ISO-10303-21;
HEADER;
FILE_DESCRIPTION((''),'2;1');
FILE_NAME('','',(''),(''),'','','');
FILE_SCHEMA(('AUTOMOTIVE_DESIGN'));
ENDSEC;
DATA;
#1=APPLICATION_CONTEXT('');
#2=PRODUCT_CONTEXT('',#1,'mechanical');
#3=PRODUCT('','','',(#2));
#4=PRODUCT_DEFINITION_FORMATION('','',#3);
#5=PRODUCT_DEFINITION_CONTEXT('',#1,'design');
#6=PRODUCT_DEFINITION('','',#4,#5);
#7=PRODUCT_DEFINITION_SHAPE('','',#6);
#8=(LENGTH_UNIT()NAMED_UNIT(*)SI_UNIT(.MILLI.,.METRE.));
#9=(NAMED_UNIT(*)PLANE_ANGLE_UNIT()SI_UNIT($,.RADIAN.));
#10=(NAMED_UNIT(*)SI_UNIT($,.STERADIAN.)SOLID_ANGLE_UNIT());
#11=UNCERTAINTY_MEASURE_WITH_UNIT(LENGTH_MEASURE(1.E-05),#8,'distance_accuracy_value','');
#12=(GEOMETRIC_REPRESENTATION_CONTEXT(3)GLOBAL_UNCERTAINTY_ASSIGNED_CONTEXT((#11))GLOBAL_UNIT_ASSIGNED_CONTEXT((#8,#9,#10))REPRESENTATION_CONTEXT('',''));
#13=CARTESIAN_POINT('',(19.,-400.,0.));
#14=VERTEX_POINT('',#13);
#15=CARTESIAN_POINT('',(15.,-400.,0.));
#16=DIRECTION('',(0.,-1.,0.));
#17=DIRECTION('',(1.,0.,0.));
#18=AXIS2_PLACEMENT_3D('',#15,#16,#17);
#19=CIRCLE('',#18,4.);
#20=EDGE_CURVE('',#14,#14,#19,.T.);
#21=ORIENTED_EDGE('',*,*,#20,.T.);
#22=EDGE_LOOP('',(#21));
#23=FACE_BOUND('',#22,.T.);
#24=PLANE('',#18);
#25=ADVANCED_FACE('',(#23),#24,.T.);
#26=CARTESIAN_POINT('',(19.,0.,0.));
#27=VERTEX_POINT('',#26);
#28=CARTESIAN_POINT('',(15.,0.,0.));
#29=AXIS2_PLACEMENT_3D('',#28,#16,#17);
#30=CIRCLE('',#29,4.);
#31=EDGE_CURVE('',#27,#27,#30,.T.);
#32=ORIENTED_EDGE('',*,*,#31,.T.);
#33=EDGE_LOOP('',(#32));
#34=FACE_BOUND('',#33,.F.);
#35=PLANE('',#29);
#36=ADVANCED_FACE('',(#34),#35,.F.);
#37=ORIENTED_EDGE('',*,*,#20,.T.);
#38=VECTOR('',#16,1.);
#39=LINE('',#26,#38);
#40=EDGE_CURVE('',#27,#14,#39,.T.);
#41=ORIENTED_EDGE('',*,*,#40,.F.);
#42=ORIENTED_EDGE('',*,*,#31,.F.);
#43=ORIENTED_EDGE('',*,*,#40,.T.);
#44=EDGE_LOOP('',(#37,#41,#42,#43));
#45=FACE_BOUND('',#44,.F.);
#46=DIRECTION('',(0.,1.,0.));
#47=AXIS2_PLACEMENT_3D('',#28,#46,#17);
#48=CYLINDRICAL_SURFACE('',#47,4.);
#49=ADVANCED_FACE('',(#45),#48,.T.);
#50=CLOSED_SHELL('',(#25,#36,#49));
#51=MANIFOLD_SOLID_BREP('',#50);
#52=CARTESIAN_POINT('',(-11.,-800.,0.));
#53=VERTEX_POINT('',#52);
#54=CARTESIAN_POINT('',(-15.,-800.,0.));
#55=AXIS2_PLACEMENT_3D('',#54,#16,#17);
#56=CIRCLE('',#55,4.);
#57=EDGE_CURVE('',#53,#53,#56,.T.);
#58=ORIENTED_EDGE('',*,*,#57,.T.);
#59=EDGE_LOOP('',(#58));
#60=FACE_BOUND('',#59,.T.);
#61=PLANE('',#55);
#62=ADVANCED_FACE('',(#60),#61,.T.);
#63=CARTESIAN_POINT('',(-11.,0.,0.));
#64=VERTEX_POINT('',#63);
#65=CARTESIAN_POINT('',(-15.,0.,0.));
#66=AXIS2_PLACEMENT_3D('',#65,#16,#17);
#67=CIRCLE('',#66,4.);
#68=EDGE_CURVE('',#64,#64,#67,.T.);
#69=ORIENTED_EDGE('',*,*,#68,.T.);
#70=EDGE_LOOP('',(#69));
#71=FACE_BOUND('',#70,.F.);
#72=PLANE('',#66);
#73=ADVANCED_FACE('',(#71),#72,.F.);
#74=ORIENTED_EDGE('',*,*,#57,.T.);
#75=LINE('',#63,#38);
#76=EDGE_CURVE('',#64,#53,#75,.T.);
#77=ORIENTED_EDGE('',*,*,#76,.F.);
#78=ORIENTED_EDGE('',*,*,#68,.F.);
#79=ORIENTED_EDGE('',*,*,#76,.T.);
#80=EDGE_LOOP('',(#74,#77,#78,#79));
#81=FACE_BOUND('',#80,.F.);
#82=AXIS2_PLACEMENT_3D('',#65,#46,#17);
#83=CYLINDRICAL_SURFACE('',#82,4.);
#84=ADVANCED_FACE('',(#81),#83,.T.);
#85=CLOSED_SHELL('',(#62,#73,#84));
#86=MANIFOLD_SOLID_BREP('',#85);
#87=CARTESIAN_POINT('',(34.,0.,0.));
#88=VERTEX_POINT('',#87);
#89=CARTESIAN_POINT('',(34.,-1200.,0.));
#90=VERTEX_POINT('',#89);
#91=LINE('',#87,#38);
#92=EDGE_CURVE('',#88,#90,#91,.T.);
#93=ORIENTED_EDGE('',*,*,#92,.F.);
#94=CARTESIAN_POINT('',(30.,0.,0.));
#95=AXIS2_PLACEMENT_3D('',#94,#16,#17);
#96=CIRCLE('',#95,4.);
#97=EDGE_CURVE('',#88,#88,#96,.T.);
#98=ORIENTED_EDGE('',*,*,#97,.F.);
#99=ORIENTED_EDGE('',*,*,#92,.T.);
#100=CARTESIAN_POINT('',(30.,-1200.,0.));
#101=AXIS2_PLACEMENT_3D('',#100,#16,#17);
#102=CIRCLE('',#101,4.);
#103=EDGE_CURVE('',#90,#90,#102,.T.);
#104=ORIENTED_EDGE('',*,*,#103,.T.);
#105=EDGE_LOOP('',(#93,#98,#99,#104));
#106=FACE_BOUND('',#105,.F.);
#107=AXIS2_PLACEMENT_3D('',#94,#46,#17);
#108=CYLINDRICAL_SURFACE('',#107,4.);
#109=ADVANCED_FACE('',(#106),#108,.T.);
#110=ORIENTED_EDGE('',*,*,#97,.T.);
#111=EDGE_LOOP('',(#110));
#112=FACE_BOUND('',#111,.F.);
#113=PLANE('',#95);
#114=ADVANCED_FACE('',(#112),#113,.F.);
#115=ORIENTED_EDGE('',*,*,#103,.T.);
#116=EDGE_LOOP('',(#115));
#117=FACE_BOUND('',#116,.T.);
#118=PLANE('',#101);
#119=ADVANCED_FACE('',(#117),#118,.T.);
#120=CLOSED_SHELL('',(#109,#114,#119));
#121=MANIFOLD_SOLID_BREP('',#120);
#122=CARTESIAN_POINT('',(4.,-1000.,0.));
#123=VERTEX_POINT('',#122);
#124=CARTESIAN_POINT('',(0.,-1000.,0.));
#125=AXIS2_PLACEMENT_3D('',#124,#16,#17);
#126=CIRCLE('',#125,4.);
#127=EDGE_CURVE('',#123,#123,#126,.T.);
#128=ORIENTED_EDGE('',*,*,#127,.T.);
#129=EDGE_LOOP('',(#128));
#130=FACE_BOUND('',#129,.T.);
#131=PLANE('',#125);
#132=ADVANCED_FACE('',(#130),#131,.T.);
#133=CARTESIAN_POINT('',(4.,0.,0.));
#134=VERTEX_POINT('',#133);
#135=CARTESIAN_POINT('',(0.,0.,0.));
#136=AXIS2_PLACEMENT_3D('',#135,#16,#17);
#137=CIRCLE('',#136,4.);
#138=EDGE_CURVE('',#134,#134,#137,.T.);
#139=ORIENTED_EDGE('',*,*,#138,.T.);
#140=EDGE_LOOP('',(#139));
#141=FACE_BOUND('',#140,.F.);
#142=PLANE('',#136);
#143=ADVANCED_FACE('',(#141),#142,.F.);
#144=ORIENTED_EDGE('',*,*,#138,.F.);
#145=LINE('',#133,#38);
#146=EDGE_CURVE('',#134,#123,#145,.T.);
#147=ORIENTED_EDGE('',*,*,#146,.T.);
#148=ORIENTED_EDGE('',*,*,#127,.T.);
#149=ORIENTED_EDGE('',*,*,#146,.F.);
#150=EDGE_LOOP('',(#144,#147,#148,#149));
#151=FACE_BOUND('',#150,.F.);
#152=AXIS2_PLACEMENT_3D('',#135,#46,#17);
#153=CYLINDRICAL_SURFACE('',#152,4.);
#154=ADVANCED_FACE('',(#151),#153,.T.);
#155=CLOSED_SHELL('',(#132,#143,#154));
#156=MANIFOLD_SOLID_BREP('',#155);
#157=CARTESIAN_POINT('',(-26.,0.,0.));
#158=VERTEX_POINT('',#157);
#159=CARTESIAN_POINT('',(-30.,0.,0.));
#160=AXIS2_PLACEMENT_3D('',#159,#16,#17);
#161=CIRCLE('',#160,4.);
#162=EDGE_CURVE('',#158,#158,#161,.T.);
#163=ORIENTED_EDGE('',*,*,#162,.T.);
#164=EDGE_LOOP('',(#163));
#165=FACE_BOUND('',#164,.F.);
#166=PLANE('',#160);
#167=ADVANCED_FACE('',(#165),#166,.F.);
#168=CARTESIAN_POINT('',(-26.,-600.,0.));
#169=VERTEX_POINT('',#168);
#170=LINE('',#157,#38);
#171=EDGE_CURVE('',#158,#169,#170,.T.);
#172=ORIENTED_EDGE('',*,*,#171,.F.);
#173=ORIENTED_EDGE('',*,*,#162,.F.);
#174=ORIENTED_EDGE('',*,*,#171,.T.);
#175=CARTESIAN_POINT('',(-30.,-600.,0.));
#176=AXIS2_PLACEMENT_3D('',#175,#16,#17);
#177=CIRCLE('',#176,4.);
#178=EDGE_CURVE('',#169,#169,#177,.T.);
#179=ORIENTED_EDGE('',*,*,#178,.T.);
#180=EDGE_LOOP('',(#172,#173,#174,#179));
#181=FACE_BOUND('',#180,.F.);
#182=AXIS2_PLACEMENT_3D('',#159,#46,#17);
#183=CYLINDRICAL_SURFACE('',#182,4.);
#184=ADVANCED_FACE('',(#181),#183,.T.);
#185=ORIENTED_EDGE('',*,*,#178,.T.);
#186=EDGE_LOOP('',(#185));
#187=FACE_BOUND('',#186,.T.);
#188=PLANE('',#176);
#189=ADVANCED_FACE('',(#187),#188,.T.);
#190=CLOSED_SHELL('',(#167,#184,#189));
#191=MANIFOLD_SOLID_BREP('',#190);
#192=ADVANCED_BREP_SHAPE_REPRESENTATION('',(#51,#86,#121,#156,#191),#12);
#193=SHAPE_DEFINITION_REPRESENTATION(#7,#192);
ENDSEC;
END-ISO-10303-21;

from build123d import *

# Parameters (mm, degrees)
F0_R     = 4
F1_DEPTH = 1000
F2_DEPTH = 800
F3_DEPTH = 600
F4_DEPTH = 400
F5_DEPTH = 1200


with BuildPart() as f1:
    # F0 (on Front) → F1 (new body)
    with BuildSketch(Plane.XZ):
        Circle(F0_R)
    extrude(amount=F1_DEPTH)


with BuildPart() as f2:
    # F0 (on Front) → F2 (new body)
    with BuildSketch(Plane.XZ):
        with Locations((-15, 0)):
            Circle(F0_R)
    extrude(amount=F2_DEPTH)


with BuildPart() as f3:
    # F0 (on Front) → F3 (new body)
    with BuildSketch(Plane.XZ):
        with Locations((-30, 0)):
            Circle(F0_R)
    extrude(amount=F3_DEPTH)


with BuildPart() as f4:
    # F0 (on Front) → F4 (new body)
    with BuildSketch(Plane.XZ):
        with Locations((15, 0)):
            Circle(F0_R)
    extrude(amount=F4_DEPTH)


with BuildPart() as f5:
    # F0 (on Front) → F5 (new body)
    with BuildSketch(Plane.XZ):
        with Locations((30, 0)):
            Circle(F0_R)
    extrude(amount=F5_DEPTH)


solid = Compound([f1.part, f2.part, f3.part, f4.part, f5.part])
